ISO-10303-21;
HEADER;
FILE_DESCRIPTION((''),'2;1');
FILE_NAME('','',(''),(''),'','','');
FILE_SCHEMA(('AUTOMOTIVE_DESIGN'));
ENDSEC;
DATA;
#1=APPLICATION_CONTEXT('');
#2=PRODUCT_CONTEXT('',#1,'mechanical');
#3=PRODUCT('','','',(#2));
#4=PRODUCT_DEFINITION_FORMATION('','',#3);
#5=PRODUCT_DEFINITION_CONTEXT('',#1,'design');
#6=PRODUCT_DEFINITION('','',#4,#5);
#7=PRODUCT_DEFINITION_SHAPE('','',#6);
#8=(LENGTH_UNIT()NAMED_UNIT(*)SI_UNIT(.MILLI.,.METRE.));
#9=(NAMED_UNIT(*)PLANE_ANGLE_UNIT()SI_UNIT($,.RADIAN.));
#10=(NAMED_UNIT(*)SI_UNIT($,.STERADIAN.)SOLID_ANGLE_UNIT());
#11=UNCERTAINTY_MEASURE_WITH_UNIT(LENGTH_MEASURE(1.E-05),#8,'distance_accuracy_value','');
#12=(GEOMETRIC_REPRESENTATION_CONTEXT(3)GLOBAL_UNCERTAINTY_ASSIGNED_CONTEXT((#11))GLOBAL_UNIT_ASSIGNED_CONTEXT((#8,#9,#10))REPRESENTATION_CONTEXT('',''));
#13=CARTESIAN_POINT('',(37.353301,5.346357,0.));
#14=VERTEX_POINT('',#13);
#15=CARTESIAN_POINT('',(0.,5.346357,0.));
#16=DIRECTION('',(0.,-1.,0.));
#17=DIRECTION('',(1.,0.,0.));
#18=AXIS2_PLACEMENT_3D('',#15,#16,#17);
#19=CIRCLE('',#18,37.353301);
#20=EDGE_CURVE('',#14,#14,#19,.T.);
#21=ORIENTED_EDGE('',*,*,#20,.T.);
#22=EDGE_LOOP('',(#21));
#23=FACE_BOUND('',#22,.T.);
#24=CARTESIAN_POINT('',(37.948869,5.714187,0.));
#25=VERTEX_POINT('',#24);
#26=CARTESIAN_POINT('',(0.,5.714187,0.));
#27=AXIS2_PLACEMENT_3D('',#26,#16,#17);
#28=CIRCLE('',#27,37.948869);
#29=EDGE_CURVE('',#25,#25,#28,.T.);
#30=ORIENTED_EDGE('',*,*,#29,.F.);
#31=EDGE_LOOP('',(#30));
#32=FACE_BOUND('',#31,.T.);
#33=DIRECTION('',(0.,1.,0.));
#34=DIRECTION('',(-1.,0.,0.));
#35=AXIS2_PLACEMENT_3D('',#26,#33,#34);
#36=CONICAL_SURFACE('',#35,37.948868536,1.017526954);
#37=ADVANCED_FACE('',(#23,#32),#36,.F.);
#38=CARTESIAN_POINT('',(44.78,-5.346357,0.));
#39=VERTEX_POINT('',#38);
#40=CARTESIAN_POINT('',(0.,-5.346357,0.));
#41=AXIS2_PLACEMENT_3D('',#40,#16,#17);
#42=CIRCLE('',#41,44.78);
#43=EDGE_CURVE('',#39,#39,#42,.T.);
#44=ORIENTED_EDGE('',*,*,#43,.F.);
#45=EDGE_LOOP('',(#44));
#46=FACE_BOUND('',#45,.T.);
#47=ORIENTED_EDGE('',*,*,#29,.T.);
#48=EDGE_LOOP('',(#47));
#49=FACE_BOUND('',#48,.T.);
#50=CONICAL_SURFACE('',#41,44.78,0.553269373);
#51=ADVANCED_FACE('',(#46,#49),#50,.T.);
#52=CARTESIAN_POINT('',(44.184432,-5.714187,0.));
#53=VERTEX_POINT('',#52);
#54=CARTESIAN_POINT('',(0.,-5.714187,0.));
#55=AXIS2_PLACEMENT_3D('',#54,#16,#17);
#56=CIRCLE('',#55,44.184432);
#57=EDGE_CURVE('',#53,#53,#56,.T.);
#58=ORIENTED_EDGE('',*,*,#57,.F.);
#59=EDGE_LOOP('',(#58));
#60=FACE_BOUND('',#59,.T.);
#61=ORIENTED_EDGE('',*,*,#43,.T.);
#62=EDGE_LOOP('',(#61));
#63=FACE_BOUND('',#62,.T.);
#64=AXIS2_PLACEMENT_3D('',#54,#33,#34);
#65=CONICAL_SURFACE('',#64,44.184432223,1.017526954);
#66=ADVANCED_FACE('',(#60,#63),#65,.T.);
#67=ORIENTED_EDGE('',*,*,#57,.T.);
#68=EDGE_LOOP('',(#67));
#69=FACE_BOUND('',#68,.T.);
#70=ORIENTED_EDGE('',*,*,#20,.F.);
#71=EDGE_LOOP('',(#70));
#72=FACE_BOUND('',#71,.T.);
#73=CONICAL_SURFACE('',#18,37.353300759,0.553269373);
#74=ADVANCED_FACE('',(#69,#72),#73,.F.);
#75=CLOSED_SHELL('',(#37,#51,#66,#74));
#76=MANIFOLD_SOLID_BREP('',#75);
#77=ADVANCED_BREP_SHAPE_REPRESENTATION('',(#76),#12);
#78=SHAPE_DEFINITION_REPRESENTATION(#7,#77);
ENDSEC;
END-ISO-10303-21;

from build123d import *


with BuildPart() as part:
    # Sketch1 → Revolve1 (revolve)
    with BuildSketch(Plane.XY):
        Polygon((37.948868536, 5.714187289), (44.78, -5.346357133), (44.184432223, -5.714187289), (37.353300759, 5.346357133), align=None)
    revolve(axis=Axis((0, -1106.917829623, 0), (0, 1, 0)))


solid = part.part
